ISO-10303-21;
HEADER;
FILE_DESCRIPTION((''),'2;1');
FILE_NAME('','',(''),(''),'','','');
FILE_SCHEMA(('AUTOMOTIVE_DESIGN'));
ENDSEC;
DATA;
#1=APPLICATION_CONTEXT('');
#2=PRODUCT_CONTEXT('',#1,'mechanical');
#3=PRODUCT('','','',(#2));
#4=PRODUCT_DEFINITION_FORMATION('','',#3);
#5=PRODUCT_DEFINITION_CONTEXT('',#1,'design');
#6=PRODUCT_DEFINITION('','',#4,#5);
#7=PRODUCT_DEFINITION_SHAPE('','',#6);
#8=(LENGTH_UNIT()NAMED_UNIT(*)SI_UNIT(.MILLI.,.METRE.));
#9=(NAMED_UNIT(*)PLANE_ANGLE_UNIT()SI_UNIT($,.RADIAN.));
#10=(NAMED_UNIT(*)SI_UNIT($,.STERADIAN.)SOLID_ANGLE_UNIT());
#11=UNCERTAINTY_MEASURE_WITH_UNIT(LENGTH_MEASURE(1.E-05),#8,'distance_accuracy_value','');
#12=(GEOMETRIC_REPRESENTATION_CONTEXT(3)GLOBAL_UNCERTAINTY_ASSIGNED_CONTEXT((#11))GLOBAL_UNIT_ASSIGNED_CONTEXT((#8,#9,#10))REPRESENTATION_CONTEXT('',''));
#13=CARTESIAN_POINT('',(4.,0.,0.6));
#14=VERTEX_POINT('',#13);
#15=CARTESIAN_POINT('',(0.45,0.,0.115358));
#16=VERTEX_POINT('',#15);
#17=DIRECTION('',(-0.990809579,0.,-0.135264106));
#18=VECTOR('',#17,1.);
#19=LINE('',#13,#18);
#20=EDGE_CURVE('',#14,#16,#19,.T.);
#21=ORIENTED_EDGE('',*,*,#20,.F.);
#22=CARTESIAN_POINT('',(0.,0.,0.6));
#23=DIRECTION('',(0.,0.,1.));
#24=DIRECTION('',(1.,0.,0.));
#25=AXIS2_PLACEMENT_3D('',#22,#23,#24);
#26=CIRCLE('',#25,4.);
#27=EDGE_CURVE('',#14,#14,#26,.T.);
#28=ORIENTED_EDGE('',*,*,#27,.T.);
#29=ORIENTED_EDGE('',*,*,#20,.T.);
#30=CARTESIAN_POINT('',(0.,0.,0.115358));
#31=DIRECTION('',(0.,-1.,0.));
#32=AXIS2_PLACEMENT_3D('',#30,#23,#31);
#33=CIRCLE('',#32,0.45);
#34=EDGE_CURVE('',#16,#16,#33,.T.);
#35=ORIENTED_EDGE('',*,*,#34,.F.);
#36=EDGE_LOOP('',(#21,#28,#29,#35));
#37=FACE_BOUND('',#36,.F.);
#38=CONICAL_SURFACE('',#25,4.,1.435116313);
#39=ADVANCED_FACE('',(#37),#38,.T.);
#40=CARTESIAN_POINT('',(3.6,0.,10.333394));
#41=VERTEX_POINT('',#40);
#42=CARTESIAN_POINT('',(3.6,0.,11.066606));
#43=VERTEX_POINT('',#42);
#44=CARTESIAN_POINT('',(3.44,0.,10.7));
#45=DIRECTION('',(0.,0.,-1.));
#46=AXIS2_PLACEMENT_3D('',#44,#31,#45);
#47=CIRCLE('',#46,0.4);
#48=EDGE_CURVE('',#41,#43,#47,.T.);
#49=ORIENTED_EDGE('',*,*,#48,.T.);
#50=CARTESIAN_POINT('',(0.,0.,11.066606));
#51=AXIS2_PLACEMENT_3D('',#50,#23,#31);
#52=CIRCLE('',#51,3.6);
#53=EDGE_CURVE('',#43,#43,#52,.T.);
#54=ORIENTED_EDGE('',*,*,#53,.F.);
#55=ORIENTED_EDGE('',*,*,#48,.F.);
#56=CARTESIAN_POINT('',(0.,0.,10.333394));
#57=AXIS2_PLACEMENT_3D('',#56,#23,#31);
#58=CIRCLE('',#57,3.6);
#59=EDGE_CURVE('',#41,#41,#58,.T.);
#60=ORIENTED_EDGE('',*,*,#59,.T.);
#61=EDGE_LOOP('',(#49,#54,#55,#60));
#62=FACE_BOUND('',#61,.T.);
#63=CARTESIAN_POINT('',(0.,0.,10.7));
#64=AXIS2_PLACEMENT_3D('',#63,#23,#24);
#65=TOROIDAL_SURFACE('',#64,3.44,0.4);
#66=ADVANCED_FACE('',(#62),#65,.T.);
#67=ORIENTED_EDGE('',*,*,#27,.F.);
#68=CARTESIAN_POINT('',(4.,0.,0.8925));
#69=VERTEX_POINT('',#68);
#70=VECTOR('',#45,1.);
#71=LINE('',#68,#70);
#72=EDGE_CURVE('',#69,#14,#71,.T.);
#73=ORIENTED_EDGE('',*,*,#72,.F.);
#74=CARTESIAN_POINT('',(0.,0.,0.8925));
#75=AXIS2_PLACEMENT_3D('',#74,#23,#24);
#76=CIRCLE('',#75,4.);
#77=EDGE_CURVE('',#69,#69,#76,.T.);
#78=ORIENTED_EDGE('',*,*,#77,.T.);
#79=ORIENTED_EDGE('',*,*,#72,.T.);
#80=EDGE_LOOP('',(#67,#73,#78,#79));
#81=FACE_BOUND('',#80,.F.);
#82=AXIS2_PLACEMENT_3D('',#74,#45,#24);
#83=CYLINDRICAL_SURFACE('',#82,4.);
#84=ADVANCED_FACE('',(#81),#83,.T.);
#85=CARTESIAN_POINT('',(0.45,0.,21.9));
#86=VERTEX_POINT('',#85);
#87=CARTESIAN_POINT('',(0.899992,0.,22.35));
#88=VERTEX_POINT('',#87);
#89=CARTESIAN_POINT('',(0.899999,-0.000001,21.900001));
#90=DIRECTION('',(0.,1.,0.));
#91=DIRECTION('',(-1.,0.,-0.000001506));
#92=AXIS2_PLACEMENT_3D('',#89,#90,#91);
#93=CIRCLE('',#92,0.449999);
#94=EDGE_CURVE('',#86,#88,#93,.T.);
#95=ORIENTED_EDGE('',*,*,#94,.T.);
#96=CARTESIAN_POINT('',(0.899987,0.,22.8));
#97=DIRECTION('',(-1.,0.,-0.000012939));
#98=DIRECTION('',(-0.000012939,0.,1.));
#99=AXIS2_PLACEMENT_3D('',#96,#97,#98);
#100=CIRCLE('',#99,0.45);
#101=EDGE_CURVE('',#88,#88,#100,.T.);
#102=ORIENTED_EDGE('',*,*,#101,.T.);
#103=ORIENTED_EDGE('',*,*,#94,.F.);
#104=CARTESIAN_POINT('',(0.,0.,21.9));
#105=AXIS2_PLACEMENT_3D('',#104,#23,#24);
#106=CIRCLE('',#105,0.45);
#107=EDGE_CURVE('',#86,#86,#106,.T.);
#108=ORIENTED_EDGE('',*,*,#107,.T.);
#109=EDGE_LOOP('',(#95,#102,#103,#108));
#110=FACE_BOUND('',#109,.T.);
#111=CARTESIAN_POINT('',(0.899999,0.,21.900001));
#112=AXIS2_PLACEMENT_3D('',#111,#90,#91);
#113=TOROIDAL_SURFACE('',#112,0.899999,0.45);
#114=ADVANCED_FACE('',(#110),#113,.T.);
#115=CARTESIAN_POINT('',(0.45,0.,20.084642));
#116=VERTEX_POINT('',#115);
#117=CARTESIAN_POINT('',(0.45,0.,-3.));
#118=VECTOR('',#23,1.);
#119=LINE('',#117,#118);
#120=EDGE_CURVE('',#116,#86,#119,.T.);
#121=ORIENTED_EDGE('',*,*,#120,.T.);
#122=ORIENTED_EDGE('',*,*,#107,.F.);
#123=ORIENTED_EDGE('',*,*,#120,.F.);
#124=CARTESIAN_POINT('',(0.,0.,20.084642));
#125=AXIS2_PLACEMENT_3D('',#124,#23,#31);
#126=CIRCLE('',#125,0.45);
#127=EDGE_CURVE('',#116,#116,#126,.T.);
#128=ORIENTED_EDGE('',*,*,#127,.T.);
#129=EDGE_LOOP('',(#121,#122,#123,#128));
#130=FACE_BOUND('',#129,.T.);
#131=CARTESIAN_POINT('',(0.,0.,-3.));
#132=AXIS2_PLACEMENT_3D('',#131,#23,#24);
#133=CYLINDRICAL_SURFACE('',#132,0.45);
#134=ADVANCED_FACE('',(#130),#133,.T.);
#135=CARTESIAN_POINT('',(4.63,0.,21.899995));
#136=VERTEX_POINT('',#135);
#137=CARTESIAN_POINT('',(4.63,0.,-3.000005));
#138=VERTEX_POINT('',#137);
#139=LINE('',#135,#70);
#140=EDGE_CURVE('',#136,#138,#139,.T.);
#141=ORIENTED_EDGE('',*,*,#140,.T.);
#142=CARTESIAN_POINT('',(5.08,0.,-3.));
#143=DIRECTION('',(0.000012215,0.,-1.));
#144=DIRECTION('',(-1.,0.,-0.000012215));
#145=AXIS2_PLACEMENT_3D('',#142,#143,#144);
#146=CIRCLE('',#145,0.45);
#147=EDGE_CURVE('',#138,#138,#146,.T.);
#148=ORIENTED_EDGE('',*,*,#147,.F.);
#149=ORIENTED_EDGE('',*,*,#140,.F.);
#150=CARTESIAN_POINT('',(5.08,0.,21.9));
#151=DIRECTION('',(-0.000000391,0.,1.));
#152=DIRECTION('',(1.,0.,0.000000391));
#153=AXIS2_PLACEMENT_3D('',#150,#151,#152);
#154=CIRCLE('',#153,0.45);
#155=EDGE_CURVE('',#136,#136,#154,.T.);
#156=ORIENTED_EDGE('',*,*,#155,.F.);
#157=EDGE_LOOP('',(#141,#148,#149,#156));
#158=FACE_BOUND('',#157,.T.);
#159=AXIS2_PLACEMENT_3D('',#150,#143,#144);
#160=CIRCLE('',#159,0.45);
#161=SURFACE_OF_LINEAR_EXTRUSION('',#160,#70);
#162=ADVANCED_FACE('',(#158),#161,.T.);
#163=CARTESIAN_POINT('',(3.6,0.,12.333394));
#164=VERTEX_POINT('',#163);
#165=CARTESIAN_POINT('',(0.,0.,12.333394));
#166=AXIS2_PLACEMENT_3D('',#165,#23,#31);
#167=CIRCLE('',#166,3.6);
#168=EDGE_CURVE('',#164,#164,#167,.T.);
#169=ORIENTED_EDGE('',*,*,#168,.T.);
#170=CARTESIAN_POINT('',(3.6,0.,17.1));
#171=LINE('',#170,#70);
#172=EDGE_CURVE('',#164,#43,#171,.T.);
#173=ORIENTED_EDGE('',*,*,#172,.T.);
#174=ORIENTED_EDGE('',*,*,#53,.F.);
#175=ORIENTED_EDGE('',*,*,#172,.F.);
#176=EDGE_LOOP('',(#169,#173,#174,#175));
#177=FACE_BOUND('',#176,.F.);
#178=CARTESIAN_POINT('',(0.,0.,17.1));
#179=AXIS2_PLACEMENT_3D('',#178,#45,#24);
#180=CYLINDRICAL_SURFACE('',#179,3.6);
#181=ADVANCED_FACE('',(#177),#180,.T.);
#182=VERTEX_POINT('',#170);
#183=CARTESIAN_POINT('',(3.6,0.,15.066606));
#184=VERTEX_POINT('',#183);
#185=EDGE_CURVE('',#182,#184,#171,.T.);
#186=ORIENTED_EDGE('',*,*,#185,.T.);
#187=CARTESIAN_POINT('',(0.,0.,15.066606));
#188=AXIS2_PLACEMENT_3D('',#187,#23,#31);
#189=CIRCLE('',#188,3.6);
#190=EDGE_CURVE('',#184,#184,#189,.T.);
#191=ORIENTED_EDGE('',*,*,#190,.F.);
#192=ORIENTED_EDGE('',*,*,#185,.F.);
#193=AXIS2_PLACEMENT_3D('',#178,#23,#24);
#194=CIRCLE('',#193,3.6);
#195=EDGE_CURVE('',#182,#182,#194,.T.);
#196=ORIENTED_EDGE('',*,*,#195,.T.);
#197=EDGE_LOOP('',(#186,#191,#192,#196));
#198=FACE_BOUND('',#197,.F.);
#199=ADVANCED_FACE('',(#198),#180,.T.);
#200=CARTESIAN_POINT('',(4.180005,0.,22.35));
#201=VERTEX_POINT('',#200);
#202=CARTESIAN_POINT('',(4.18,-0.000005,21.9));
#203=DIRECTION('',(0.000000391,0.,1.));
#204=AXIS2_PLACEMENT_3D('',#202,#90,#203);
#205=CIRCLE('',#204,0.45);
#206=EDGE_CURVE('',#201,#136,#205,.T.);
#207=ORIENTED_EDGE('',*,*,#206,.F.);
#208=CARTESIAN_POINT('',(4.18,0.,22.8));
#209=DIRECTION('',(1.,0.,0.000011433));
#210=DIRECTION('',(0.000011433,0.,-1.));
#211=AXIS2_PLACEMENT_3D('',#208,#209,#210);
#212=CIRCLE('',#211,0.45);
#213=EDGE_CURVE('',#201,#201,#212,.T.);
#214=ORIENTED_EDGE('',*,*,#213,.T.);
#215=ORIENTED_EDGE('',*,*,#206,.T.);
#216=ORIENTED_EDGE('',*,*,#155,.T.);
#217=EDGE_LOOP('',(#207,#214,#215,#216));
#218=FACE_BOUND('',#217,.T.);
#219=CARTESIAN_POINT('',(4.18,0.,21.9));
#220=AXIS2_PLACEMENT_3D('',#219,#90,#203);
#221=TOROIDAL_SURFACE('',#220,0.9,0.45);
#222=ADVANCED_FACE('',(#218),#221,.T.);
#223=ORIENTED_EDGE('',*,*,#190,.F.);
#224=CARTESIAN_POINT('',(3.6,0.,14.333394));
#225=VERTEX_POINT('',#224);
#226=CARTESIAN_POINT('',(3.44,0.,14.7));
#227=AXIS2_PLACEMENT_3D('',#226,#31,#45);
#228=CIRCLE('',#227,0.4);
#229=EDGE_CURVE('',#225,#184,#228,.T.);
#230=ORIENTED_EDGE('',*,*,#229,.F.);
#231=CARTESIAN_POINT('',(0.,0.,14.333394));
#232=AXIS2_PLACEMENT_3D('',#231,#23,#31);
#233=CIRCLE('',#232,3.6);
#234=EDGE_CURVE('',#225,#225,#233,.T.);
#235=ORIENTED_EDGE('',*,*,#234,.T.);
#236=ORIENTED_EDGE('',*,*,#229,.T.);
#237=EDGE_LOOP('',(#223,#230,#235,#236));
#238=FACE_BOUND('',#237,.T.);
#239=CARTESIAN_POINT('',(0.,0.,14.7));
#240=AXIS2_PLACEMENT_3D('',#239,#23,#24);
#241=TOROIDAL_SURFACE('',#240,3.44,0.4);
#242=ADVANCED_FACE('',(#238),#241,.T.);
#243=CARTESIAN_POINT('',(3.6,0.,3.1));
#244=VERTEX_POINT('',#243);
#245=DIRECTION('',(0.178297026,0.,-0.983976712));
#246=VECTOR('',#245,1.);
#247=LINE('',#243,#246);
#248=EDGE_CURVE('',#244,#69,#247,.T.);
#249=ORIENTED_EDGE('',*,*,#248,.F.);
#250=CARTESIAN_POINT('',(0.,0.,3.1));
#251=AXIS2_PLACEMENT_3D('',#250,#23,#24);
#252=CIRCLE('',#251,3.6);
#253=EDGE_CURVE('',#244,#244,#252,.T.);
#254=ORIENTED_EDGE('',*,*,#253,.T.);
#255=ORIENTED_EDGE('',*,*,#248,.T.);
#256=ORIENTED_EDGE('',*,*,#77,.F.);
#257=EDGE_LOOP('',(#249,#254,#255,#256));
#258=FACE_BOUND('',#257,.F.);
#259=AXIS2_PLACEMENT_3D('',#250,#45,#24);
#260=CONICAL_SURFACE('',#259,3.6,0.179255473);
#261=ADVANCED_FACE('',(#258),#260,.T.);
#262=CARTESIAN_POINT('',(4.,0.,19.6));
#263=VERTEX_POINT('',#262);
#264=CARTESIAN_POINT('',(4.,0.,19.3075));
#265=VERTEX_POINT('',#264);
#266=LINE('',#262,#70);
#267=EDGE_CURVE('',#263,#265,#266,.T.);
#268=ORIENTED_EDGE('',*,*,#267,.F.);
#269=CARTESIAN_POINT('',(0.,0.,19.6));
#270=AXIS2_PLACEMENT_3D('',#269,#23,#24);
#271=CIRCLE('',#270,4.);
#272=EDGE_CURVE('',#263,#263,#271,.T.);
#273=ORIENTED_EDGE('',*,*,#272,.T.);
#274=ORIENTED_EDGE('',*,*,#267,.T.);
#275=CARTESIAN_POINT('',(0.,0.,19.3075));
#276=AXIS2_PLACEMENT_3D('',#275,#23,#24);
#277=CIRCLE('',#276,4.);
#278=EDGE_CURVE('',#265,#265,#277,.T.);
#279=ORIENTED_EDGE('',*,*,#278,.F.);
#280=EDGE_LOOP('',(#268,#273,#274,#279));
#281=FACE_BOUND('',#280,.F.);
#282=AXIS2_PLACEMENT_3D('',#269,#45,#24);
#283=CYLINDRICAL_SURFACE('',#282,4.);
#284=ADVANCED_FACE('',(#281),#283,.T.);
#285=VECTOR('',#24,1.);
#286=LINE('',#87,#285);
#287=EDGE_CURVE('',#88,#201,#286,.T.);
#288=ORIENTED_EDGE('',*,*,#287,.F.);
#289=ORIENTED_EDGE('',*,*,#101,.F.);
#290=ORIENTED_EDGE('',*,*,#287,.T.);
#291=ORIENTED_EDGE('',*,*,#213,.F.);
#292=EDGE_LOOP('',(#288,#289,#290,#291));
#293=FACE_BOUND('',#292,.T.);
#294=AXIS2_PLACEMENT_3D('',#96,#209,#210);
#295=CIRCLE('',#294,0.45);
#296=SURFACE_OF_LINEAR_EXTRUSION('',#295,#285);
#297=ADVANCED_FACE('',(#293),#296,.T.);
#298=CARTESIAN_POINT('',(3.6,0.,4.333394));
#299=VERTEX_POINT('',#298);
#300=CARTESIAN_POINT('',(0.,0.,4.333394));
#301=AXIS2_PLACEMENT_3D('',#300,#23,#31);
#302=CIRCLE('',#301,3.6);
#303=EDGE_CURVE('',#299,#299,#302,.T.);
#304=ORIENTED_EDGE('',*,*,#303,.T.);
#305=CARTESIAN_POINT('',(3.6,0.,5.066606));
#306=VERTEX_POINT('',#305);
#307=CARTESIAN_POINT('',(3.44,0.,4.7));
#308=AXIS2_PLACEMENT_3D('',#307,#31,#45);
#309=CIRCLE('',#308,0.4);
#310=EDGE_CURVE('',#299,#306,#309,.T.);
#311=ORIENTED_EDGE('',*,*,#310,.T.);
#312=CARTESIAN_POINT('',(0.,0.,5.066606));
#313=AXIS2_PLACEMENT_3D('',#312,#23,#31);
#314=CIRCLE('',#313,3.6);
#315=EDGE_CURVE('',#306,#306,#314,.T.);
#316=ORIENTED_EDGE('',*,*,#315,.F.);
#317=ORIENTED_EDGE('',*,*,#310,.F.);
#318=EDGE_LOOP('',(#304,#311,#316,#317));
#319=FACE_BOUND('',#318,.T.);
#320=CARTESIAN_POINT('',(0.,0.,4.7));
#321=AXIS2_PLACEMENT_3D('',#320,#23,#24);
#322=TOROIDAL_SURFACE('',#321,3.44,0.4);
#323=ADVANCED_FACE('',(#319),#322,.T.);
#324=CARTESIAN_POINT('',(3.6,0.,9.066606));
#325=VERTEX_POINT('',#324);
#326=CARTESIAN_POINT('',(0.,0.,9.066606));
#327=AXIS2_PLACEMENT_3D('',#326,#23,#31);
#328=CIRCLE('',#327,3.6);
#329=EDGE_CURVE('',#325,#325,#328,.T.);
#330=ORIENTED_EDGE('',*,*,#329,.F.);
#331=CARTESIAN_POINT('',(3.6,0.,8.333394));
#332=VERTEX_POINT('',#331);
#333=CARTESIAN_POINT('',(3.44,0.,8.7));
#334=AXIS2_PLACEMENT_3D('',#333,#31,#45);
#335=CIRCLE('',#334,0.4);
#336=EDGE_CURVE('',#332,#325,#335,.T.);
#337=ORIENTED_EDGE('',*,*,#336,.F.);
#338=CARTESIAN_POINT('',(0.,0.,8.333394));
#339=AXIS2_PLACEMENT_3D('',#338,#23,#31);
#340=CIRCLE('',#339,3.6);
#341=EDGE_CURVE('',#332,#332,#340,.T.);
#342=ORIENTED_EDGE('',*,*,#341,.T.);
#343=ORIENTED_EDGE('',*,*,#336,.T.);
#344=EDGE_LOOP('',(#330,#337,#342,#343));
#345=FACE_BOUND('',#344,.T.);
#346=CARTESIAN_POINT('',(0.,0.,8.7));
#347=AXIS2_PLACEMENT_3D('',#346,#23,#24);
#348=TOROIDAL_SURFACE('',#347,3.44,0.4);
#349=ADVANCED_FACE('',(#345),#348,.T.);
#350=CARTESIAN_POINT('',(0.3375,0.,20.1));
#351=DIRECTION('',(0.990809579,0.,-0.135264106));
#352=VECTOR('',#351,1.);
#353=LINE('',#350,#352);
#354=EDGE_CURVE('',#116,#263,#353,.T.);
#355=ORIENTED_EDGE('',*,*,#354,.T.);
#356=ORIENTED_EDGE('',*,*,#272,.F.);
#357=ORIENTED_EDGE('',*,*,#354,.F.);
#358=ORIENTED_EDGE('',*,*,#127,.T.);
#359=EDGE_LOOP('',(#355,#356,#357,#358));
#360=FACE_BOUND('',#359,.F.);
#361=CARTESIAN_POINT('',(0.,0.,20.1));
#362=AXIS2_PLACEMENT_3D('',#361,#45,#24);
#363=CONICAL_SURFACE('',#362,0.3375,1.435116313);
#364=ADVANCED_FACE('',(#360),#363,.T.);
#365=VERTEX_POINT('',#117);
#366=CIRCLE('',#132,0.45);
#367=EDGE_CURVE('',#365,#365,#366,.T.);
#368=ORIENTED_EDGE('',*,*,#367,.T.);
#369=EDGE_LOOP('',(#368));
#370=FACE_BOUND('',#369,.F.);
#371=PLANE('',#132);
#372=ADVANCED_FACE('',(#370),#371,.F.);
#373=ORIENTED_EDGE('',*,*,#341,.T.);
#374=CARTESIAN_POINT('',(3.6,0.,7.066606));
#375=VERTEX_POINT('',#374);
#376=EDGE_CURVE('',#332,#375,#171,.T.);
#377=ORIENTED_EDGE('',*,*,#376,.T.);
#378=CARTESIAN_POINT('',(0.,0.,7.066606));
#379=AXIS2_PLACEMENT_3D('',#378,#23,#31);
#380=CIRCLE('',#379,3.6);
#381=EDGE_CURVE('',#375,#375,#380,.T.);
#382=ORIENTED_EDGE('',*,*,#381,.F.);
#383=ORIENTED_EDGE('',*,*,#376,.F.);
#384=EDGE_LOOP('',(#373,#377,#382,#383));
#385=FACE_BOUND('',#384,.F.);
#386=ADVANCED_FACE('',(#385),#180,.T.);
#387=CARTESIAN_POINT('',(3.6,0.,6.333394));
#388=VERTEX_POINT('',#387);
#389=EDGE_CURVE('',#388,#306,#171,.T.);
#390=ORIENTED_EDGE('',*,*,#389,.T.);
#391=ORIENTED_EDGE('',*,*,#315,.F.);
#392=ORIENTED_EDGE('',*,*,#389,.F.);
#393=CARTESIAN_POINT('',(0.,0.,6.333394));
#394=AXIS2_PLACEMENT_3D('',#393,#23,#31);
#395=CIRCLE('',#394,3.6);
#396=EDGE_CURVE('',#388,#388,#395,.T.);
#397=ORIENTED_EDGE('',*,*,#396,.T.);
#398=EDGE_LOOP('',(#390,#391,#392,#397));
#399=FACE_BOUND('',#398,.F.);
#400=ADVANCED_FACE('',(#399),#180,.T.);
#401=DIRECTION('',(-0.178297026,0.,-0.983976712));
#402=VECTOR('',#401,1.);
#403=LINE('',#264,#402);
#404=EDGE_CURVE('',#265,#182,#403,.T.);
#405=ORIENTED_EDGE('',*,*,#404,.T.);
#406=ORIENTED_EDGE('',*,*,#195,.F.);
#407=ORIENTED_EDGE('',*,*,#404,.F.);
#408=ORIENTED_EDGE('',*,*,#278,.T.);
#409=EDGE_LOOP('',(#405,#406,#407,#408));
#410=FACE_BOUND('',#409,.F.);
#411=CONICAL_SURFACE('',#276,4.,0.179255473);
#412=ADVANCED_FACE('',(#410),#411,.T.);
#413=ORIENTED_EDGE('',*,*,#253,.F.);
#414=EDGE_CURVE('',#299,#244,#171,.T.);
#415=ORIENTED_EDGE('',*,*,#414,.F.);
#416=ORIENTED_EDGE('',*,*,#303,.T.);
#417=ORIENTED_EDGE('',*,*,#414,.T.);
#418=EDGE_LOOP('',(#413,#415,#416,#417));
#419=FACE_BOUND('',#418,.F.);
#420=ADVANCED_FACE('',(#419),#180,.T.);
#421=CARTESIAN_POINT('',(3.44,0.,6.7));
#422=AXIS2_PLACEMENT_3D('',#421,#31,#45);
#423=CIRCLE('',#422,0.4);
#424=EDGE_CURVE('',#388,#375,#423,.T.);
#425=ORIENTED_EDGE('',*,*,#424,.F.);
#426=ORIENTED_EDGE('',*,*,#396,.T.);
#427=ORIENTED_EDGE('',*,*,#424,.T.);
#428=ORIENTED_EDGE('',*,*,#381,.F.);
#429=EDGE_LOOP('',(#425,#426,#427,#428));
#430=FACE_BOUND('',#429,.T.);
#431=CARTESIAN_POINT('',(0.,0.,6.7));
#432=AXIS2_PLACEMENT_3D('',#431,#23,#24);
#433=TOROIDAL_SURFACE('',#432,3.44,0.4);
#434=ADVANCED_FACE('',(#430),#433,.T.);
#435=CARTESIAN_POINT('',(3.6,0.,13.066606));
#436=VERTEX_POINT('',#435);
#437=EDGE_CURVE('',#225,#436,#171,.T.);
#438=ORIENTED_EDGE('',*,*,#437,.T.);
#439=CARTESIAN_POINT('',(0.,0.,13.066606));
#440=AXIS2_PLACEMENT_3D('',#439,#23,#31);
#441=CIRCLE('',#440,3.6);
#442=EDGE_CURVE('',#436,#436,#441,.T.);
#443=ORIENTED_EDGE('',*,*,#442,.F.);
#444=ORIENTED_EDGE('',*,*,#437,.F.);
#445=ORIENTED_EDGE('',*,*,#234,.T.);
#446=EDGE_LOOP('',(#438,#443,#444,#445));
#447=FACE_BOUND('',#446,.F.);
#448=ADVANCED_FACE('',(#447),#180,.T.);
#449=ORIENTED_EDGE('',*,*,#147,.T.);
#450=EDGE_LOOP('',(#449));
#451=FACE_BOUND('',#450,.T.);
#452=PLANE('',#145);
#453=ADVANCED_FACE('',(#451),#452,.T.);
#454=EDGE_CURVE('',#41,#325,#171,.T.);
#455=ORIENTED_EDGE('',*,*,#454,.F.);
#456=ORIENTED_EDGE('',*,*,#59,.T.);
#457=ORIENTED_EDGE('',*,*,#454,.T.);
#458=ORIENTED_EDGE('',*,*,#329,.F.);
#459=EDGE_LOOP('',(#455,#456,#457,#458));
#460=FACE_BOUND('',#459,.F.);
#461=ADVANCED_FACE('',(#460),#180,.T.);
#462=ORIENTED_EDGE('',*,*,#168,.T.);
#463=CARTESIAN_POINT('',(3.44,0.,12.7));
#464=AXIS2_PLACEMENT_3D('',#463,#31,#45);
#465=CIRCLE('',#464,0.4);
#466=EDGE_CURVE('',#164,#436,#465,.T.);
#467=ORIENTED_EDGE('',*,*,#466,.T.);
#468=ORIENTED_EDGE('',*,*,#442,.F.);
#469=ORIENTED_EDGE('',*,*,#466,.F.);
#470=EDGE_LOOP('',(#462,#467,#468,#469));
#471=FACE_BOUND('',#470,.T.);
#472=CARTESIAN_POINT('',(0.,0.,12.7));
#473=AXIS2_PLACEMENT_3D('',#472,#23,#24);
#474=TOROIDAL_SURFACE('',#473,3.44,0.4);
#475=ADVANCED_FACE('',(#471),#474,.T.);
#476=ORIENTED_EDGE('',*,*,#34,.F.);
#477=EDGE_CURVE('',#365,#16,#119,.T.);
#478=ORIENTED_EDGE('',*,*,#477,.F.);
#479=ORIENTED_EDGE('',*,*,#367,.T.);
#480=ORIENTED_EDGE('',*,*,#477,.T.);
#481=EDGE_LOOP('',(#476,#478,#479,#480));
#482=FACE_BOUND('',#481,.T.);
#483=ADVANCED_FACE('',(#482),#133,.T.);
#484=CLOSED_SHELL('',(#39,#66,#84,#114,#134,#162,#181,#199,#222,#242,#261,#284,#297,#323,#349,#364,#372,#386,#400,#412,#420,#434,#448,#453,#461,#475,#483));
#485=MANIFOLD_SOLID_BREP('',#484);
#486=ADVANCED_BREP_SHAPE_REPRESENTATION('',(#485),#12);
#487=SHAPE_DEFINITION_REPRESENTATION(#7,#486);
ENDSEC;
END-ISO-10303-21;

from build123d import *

# Parameters (mm, degrees)
SKETCH_R = 0.45


with BuildPart() as revolution:
    # Sketch002 → Revolution (revolve)
    with BuildSketch(Plane.XZ):
        Polygon((0, 0.1), (0, 20.1), (0.3375, 20.1), (4, 19.6), (4, 19.3075), (3.6, 17.1), (3.6, 3.1), (4, 0.8925), (4, 0.6), (0.3375, 0.1), align=None)
    revolve(axis=Axis((0, 0, 0), (0, 0, 1)))


with BuildPart() as sweep_body:
    # Sweep: sweep along a path in Sketch001
    with BuildLine(Plane.XZ) as sweep_path:
        Line((0, -3), (0, 21.9))
        ThreePointArc((0, 21.9), (0.263599, 22.536392), (0.899987, 22.8))
        Line((0.899987, 22.8), (4.18, 22.8))
        ThreePointArc((4.18, 22.8), (4.816396, 22.536396), (5.08, 21.9))
        Line((5.08, 21.9), (5.08, -3))
    # Sketch → Sweep (sweep)
    with BuildSketch(Plane.XY.offset(-2)):
        Circle(SKETCH_R)
    sweep(path=sweep_path.line)


with BuildPart() as l_axial_l20_0mm_d8_0mm_p5_08mm_vertical:
    # Sketch003 → Revolution001 (revolve)
    with BuildSketch(Plane.XZ):
        with BuildLine():
            Line((3.2, 16.3), (3.2, 3.1))
            Line((3.2, 3.1), (3.44, 3.1))
            Line((3.44, 3.1), (3.44, 4.3))
            ThreePointArc((3.44, 4.3), (3.84, 4.7), (3.44, 5.1))
            Line((3.44, 5.1), (3.44, 6.3))
            ThreePointArc((3.44, 6.3), (3.84, 6.7), (3.44, 7.1))
            Line((3.44, 7.1), (3.44, 8.3))
            ThreePointArc((3.44, 8.3), (3.84, 8.7), (3.44, 9.1))
            Line((3.44, 9.1), (3.44, 10.3))
            ThreePointArc((3.44, 10.3), (3.84, 10.7), (3.44, 11.1))
            Line((3.44, 11.1), (3.44, 12.3))
            ThreePointArc((3.44, 12.3), (3.84, 12.7), (3.44, 13.1))
            Line((3.44, 13.1), (3.44, 14.3))
            ThreePointArc((3.44, 14.3), (3.84, 14.7), (3.44, 15.1))
            Line((3.44, 16.3), (3.44, 15.1))
            Line((3.2, 16.3), (3.44, 16.3))
        make_face()
    revolve(axis=Axis((0, 0, 0), (0, 0, 1)))

    # Revolution001_mp_cp: union Revolution, Sweep body
    add(revolution.part)
    add(sweep_body.part)


solid = l_axial_l20_0mm_d8_0mm_p5_08mm_vertical.part
